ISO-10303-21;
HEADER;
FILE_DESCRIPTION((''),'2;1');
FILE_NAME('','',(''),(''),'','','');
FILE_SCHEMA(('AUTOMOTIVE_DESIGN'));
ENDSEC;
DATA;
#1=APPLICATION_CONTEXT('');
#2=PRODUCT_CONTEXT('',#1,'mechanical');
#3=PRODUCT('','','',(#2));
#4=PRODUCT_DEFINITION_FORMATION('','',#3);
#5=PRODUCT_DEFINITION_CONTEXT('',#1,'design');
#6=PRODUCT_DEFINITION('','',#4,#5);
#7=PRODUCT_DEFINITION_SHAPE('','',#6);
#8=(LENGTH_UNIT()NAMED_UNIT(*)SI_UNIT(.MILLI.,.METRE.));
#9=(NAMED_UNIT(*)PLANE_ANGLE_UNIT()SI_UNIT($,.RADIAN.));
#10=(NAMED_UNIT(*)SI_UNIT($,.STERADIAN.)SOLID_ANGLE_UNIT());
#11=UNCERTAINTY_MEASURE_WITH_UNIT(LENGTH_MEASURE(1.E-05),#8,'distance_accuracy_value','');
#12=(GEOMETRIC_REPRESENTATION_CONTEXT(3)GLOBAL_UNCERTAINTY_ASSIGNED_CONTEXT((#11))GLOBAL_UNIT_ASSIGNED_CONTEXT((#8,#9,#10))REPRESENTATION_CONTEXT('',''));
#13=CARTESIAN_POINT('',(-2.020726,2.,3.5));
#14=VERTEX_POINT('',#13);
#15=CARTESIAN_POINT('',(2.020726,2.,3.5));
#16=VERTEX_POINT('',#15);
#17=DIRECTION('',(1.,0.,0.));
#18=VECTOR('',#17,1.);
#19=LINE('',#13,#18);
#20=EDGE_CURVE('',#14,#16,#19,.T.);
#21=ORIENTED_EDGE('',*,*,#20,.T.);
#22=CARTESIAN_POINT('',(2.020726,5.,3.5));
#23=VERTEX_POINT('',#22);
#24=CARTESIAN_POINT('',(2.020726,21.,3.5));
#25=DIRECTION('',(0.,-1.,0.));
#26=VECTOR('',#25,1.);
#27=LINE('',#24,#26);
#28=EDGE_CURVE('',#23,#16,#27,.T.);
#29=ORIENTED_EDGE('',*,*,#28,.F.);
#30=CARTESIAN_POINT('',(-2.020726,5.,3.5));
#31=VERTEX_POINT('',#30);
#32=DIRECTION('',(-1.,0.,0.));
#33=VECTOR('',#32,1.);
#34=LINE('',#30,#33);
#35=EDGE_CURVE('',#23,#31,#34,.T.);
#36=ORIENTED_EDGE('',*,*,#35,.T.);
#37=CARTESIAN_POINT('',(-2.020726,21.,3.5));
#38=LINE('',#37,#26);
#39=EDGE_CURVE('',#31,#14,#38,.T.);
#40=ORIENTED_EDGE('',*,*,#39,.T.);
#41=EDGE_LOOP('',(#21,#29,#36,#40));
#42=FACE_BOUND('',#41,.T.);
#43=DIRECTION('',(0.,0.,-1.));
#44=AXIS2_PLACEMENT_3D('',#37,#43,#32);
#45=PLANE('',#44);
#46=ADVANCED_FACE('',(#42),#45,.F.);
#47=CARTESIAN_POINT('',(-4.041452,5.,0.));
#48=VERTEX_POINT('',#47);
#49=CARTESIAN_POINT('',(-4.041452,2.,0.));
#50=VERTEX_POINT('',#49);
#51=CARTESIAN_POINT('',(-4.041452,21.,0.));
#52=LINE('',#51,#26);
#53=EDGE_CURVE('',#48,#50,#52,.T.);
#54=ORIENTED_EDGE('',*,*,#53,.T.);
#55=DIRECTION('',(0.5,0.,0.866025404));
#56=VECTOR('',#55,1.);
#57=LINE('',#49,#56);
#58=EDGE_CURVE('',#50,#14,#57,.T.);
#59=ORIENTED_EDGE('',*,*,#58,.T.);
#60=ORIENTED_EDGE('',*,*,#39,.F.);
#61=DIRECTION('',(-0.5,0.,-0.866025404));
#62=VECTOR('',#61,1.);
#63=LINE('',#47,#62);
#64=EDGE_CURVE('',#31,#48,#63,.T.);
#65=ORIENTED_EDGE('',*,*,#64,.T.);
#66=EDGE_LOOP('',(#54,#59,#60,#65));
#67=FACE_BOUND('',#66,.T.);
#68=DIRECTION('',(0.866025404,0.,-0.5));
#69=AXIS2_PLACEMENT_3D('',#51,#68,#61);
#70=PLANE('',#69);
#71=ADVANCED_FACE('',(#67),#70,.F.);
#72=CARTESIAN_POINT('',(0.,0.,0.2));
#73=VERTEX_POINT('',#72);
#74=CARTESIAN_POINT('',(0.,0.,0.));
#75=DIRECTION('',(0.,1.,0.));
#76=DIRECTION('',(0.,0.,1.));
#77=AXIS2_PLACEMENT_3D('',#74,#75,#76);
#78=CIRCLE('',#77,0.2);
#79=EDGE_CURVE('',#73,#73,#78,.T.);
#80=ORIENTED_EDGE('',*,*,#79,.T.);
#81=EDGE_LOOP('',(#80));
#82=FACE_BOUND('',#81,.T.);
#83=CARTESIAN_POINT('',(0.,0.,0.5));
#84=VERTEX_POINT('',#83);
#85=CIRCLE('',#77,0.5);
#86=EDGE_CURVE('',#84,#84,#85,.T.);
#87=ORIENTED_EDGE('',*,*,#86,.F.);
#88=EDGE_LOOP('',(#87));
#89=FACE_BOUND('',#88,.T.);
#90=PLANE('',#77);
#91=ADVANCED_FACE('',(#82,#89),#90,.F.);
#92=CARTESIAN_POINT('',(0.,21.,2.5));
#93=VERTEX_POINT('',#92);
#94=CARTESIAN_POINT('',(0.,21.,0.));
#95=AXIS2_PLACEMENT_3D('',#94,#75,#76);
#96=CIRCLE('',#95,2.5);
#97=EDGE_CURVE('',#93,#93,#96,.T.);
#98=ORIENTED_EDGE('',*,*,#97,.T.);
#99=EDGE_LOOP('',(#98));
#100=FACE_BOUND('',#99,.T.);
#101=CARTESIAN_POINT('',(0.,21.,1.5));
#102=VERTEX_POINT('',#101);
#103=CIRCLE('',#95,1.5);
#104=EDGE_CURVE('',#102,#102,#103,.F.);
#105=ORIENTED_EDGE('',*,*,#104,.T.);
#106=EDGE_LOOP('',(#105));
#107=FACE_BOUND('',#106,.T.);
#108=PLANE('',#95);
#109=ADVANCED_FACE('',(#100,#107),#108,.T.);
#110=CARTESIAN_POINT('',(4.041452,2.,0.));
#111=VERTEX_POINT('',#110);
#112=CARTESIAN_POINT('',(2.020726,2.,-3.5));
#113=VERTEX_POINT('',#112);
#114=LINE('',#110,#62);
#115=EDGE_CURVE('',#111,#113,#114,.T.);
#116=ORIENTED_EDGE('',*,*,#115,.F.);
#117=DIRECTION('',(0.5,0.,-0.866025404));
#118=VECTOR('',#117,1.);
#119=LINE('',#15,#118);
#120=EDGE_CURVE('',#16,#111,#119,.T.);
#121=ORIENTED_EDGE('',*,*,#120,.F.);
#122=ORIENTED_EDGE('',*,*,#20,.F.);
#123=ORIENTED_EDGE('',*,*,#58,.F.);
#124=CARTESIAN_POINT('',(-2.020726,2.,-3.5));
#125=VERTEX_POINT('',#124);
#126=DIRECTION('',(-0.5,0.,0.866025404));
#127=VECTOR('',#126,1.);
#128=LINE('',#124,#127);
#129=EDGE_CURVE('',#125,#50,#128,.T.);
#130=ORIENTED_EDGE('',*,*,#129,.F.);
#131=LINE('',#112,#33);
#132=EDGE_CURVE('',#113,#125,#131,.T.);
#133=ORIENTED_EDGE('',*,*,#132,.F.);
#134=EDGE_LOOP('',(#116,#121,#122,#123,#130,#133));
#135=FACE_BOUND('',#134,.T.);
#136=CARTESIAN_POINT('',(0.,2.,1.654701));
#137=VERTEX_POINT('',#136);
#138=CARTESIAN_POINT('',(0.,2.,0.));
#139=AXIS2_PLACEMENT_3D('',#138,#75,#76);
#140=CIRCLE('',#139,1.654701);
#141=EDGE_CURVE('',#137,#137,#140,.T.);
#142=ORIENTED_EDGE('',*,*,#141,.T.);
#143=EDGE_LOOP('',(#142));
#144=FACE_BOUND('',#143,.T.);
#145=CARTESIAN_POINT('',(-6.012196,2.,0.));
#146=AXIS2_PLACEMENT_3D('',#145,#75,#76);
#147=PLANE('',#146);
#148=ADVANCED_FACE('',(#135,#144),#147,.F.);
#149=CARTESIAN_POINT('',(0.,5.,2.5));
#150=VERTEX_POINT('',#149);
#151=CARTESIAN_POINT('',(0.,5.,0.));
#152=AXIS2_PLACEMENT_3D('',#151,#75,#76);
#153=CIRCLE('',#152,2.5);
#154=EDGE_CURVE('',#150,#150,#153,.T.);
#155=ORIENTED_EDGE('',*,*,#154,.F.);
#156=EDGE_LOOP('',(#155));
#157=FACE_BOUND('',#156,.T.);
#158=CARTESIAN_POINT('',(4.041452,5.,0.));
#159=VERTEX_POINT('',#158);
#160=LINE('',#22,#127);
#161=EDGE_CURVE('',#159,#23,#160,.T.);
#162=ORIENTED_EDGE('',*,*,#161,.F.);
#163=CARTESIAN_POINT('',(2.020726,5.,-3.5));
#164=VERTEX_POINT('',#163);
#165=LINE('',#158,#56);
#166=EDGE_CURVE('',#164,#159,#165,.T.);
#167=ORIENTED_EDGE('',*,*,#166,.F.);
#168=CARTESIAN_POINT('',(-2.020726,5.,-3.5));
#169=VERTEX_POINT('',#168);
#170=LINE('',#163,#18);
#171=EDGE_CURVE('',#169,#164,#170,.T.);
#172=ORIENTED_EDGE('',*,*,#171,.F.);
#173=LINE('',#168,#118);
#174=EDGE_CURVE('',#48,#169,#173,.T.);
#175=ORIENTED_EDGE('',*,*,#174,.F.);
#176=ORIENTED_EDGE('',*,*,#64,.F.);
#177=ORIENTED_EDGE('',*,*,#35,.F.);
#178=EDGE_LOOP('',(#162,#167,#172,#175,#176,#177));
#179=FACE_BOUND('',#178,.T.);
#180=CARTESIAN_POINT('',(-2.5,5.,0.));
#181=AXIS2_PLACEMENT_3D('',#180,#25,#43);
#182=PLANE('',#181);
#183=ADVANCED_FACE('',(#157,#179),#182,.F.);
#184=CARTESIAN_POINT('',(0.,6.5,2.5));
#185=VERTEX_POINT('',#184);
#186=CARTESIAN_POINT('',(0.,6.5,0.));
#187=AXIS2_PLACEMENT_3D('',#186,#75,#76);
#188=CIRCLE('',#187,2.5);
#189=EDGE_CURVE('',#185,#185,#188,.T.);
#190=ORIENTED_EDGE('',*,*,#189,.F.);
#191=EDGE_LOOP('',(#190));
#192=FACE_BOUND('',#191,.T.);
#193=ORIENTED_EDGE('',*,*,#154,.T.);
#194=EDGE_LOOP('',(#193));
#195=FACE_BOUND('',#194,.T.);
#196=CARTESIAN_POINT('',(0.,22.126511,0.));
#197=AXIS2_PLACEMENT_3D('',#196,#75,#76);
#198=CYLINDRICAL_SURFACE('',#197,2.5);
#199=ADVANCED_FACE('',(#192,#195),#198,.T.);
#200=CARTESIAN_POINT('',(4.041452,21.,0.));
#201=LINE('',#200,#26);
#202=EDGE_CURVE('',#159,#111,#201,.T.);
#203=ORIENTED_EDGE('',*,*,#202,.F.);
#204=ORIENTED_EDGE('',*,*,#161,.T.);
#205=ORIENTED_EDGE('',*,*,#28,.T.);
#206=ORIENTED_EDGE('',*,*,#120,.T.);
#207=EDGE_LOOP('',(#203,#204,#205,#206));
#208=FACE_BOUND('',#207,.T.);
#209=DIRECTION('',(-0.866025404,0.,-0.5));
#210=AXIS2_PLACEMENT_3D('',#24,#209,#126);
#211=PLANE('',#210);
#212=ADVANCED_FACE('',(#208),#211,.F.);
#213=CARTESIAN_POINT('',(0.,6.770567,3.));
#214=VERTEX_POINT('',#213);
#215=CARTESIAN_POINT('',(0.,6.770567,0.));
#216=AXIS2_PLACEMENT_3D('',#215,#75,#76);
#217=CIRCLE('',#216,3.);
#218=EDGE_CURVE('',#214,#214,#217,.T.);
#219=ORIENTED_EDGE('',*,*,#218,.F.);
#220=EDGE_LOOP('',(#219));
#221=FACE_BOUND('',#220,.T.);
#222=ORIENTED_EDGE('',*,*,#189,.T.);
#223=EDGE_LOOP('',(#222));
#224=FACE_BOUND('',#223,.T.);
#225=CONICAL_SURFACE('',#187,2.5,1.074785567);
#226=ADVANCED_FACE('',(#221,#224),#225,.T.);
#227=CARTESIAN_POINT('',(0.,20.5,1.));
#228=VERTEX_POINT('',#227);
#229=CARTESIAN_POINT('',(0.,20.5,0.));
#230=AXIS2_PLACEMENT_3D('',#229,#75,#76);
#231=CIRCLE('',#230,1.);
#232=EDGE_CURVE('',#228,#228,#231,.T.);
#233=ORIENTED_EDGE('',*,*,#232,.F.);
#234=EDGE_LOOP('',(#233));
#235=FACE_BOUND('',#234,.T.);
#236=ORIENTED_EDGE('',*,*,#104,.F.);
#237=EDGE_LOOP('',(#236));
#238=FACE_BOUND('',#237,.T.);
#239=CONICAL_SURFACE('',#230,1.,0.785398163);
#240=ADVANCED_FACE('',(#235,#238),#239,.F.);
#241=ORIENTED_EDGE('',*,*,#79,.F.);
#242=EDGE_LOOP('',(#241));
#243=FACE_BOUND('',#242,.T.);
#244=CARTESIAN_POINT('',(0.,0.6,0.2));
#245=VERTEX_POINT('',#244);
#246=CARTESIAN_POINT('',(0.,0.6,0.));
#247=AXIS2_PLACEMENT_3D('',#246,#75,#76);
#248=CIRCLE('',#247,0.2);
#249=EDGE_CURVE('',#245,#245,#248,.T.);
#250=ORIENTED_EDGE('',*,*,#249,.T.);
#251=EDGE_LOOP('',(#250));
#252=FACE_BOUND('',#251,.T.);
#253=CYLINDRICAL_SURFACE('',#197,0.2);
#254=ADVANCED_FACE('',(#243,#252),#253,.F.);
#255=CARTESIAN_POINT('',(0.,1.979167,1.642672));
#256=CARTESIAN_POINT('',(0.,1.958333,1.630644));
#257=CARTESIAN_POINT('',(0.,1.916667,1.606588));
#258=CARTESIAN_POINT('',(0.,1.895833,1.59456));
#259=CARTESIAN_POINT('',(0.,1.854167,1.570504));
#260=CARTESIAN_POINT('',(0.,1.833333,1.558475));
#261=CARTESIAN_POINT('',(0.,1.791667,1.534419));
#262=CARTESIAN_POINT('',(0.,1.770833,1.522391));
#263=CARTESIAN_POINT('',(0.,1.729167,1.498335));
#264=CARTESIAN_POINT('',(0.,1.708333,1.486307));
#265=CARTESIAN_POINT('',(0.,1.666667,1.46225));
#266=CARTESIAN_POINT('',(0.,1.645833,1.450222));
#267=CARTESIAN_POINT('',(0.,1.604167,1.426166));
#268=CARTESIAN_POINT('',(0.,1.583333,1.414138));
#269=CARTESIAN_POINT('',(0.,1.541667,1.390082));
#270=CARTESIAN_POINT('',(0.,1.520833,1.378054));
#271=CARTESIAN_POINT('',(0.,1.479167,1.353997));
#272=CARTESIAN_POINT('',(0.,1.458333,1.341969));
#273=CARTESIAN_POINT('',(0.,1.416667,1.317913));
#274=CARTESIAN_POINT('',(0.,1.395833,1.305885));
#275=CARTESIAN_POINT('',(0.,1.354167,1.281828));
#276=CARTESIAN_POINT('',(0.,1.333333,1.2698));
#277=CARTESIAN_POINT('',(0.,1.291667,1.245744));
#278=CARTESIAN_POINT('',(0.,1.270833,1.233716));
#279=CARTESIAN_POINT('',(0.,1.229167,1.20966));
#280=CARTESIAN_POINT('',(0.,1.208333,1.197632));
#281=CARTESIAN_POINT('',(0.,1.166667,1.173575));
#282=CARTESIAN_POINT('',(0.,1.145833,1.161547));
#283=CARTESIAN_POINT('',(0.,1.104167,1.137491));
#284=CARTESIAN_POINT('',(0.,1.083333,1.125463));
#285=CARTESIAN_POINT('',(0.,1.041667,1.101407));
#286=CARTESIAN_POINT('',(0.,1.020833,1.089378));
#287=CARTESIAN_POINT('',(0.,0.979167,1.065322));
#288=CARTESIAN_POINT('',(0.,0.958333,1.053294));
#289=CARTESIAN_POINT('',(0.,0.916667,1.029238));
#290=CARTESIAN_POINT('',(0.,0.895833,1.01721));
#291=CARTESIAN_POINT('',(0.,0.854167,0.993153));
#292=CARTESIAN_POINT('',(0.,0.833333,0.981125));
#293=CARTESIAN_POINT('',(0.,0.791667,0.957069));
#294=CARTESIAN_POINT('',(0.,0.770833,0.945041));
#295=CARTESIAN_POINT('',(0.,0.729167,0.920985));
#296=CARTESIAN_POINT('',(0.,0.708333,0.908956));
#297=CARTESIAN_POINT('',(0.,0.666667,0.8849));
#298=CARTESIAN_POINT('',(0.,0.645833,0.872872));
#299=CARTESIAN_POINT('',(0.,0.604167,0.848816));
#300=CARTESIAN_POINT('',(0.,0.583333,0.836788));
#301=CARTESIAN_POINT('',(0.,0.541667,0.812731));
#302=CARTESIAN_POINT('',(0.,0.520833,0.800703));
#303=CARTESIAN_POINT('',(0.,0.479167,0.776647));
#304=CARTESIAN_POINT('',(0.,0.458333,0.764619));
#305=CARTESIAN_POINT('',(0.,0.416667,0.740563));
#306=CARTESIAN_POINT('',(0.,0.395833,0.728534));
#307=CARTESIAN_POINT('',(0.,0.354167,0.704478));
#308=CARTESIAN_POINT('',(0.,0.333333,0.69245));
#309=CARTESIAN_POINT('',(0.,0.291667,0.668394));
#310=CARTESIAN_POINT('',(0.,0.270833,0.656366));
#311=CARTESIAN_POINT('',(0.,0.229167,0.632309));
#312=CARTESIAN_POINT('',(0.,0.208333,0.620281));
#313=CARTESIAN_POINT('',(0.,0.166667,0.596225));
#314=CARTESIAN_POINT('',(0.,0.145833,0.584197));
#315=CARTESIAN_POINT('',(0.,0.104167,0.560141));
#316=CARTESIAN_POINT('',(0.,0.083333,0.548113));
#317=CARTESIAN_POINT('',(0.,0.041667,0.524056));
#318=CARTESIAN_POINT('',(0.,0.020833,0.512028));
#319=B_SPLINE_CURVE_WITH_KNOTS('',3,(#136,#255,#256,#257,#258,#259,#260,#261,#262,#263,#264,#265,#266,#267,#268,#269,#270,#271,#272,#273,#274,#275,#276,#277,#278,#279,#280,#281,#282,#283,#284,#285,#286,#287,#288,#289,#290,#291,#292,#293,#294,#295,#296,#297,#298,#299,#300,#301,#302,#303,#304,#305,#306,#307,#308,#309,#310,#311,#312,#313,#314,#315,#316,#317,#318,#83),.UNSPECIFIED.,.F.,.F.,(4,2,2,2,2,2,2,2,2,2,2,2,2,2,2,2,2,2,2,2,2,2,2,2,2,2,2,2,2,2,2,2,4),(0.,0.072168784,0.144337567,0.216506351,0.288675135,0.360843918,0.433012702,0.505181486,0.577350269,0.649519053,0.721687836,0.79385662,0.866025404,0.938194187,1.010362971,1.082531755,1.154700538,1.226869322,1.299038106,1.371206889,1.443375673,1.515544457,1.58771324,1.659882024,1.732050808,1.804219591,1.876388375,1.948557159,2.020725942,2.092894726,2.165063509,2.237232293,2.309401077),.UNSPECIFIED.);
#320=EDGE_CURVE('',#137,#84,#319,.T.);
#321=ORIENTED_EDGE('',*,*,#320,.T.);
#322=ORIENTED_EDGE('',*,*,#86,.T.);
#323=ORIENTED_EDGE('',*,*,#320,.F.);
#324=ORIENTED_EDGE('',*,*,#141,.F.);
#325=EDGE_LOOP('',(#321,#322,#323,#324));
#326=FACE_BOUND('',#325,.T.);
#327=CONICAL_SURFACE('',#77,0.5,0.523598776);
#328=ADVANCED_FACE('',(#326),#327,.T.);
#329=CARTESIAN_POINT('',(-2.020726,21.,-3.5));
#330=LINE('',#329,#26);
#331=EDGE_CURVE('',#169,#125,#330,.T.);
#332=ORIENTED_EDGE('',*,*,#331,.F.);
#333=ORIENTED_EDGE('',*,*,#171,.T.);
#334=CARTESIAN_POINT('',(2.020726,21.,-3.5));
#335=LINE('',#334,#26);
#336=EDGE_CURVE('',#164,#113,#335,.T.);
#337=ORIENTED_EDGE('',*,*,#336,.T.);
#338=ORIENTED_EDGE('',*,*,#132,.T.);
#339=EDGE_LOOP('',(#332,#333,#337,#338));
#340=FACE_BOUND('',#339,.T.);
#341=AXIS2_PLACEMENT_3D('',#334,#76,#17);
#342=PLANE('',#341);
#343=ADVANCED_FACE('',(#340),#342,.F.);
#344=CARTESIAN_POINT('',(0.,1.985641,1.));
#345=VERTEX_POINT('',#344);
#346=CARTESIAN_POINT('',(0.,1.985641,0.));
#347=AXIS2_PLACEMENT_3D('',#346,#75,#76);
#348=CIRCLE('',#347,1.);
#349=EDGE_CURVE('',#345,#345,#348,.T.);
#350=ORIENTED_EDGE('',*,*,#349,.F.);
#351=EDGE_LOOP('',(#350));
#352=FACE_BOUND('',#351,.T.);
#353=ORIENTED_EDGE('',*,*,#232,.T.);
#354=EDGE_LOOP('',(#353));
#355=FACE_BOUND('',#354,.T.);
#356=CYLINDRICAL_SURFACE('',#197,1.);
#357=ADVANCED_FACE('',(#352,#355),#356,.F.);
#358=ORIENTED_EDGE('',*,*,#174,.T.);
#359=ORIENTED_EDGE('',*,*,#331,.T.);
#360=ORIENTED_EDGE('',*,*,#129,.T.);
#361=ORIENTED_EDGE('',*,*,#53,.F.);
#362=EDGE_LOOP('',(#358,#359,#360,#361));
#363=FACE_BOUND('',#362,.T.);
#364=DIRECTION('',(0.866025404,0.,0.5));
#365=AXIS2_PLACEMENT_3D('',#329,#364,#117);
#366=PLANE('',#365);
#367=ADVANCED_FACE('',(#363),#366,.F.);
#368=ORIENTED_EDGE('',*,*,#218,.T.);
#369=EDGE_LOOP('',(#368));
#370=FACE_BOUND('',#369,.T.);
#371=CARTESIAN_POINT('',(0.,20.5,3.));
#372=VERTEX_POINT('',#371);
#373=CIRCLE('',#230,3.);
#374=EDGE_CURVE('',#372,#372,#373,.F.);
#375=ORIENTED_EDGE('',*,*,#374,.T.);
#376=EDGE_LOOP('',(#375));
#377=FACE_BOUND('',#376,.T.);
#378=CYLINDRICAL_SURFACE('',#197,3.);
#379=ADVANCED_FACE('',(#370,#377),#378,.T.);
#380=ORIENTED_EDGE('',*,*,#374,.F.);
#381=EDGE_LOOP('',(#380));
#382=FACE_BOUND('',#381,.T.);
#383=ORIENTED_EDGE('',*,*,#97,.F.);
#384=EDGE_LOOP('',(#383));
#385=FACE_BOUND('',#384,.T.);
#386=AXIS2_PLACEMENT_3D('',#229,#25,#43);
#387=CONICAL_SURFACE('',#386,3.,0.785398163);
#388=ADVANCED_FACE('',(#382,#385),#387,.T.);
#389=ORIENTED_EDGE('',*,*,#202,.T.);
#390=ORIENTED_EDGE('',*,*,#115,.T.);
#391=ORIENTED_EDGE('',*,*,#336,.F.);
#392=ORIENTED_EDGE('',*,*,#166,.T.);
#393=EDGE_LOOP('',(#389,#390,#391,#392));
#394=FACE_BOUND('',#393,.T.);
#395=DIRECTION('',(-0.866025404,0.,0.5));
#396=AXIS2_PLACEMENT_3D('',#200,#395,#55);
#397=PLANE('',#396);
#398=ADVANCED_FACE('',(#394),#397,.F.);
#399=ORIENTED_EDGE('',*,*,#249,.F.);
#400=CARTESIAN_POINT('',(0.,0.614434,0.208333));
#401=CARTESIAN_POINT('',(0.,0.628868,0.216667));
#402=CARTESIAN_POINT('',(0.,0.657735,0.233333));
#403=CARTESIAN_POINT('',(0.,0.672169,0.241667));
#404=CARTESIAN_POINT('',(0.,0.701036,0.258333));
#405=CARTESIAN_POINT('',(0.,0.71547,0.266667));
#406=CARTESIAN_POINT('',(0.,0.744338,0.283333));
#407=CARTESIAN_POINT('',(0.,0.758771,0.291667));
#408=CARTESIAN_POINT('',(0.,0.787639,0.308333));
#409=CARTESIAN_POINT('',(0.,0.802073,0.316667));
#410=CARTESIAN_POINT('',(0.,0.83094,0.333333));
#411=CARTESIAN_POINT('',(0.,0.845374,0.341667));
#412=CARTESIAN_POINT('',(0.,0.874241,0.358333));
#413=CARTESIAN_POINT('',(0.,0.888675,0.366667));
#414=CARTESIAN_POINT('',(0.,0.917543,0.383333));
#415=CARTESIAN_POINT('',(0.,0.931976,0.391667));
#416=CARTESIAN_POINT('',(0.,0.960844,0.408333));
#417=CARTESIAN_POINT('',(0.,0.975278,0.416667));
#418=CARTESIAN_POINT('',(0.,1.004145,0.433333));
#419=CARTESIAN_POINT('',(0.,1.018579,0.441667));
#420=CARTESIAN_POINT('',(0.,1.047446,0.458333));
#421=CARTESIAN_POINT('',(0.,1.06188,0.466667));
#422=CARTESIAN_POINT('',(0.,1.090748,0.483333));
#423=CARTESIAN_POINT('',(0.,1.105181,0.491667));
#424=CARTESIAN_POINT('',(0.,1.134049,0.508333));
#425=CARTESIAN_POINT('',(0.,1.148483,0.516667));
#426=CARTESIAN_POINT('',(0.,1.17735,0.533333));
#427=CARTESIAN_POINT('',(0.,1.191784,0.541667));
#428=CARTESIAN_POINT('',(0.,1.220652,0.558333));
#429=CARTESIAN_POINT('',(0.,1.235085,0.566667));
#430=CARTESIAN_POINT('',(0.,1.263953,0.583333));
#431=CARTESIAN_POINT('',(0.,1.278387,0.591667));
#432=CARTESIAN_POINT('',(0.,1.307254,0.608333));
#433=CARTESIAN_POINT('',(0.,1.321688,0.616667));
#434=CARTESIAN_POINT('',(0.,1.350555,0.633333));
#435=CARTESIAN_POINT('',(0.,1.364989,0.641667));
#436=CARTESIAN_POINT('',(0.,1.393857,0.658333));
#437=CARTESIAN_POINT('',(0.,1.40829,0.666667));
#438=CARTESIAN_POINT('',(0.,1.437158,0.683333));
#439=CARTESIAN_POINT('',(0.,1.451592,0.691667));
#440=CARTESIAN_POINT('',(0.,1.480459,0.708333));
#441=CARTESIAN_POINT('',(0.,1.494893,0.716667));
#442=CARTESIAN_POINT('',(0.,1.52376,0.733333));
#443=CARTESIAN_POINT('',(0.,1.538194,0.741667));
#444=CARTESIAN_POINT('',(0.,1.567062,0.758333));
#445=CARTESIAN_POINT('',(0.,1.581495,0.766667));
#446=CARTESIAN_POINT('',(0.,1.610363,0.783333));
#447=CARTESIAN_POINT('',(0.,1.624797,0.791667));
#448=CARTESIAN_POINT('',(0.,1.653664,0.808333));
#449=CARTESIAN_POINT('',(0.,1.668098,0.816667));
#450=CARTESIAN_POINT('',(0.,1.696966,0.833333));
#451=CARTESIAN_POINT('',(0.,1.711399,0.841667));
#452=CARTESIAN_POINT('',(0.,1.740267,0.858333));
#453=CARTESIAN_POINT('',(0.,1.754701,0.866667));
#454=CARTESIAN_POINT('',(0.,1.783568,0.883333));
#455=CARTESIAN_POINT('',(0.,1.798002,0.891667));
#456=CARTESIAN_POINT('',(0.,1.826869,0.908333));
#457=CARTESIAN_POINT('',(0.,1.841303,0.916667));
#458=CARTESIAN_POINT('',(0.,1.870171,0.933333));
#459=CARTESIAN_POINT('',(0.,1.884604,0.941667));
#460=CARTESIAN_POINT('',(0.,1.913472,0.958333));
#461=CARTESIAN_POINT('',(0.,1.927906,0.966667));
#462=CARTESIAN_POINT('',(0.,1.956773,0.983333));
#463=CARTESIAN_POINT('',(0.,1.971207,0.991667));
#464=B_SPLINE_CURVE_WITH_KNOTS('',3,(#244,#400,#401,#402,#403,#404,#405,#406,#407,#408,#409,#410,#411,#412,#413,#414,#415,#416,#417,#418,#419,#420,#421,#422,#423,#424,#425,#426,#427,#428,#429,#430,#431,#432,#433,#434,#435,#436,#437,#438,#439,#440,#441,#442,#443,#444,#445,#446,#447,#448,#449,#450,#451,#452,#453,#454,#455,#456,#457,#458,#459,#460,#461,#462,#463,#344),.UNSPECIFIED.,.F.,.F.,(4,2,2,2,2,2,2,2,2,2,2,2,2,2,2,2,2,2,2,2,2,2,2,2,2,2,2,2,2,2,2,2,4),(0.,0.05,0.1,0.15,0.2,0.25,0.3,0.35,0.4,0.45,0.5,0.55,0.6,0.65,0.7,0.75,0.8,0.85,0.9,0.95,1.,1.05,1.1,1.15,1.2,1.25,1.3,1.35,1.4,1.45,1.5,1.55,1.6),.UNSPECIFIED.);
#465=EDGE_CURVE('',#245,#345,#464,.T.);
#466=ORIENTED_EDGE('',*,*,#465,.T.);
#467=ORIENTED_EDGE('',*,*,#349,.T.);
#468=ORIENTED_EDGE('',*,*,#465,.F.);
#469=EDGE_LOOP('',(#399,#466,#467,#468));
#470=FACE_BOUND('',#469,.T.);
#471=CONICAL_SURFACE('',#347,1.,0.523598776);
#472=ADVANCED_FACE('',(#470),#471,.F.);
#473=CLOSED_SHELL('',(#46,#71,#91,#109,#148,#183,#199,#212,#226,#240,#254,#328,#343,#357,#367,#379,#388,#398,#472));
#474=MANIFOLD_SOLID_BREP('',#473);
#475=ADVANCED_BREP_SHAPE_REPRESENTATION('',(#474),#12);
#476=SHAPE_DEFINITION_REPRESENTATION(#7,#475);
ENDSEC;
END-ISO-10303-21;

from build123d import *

# Parameters (mm, degrees)
BOSS_EXTRUDE1_DEPTH = 21
CHAMFER1_SIZE       = 0.5


with BuildPart() as part:
    # Sketch1 → Boss-Extrude1 (new body)
    with BuildSketch(Plane(origin=(0, 0, 0), x_dir=(1, 0, 0), z_dir=(0, 1, 0))):
        Polygon((4.041451884, 0), (2.020725942, 3.5), (-2.020725942, 3.5), (-4.041451884, 0), (-2.020725942, -3.5), (2.020725942, -3.5), align=None)
    extrude(amount=BOSS_EXTRUDE1_DEPTH)

    # Sketch2 → Cut-Revolve1 (revolve, cut)
    with BuildSketch(Plane.XY, mode=Mode.PRIVATE) as cut_revolve1_sk:
        Polygon((-1, 1.985640646), (-1, 21.445867252), (0, 21.445867252), (0, 0), (-0.2, 0), (-0.2, 0.6), align=None)
        Polygon((-3, 22.847292178), (-3, 6.770566956), (-2.5, 6.5), (-2.5, 5), (-6.012196156, 5), (-6.012196156, 2), (-1.654700538, 2), (-0.5, 0), (-0.5, -1.473098258), (-7.184398373, -1.473098258), (-7.184398373, 22.847292178), align=None)
    revolve(cut_revolve1_sk.sketch.rotate(Axis((0, 22.126511162, 0), (0, -1, 0)), 270), axis=Axis((0, 22.126511162, 0), (0, -1, 0)), mode=Mode.SUBTRACT)

    # Chamfer1
    chamfer1_edges = [part.edges().sort_by_distance(p)[0] for p in [
        (0, 21, -1),
        (0, 21, -3),
    ]]
    chamfer(chamfer1_edges, length=CHAMFER1_SIZE)


solid = part.part
